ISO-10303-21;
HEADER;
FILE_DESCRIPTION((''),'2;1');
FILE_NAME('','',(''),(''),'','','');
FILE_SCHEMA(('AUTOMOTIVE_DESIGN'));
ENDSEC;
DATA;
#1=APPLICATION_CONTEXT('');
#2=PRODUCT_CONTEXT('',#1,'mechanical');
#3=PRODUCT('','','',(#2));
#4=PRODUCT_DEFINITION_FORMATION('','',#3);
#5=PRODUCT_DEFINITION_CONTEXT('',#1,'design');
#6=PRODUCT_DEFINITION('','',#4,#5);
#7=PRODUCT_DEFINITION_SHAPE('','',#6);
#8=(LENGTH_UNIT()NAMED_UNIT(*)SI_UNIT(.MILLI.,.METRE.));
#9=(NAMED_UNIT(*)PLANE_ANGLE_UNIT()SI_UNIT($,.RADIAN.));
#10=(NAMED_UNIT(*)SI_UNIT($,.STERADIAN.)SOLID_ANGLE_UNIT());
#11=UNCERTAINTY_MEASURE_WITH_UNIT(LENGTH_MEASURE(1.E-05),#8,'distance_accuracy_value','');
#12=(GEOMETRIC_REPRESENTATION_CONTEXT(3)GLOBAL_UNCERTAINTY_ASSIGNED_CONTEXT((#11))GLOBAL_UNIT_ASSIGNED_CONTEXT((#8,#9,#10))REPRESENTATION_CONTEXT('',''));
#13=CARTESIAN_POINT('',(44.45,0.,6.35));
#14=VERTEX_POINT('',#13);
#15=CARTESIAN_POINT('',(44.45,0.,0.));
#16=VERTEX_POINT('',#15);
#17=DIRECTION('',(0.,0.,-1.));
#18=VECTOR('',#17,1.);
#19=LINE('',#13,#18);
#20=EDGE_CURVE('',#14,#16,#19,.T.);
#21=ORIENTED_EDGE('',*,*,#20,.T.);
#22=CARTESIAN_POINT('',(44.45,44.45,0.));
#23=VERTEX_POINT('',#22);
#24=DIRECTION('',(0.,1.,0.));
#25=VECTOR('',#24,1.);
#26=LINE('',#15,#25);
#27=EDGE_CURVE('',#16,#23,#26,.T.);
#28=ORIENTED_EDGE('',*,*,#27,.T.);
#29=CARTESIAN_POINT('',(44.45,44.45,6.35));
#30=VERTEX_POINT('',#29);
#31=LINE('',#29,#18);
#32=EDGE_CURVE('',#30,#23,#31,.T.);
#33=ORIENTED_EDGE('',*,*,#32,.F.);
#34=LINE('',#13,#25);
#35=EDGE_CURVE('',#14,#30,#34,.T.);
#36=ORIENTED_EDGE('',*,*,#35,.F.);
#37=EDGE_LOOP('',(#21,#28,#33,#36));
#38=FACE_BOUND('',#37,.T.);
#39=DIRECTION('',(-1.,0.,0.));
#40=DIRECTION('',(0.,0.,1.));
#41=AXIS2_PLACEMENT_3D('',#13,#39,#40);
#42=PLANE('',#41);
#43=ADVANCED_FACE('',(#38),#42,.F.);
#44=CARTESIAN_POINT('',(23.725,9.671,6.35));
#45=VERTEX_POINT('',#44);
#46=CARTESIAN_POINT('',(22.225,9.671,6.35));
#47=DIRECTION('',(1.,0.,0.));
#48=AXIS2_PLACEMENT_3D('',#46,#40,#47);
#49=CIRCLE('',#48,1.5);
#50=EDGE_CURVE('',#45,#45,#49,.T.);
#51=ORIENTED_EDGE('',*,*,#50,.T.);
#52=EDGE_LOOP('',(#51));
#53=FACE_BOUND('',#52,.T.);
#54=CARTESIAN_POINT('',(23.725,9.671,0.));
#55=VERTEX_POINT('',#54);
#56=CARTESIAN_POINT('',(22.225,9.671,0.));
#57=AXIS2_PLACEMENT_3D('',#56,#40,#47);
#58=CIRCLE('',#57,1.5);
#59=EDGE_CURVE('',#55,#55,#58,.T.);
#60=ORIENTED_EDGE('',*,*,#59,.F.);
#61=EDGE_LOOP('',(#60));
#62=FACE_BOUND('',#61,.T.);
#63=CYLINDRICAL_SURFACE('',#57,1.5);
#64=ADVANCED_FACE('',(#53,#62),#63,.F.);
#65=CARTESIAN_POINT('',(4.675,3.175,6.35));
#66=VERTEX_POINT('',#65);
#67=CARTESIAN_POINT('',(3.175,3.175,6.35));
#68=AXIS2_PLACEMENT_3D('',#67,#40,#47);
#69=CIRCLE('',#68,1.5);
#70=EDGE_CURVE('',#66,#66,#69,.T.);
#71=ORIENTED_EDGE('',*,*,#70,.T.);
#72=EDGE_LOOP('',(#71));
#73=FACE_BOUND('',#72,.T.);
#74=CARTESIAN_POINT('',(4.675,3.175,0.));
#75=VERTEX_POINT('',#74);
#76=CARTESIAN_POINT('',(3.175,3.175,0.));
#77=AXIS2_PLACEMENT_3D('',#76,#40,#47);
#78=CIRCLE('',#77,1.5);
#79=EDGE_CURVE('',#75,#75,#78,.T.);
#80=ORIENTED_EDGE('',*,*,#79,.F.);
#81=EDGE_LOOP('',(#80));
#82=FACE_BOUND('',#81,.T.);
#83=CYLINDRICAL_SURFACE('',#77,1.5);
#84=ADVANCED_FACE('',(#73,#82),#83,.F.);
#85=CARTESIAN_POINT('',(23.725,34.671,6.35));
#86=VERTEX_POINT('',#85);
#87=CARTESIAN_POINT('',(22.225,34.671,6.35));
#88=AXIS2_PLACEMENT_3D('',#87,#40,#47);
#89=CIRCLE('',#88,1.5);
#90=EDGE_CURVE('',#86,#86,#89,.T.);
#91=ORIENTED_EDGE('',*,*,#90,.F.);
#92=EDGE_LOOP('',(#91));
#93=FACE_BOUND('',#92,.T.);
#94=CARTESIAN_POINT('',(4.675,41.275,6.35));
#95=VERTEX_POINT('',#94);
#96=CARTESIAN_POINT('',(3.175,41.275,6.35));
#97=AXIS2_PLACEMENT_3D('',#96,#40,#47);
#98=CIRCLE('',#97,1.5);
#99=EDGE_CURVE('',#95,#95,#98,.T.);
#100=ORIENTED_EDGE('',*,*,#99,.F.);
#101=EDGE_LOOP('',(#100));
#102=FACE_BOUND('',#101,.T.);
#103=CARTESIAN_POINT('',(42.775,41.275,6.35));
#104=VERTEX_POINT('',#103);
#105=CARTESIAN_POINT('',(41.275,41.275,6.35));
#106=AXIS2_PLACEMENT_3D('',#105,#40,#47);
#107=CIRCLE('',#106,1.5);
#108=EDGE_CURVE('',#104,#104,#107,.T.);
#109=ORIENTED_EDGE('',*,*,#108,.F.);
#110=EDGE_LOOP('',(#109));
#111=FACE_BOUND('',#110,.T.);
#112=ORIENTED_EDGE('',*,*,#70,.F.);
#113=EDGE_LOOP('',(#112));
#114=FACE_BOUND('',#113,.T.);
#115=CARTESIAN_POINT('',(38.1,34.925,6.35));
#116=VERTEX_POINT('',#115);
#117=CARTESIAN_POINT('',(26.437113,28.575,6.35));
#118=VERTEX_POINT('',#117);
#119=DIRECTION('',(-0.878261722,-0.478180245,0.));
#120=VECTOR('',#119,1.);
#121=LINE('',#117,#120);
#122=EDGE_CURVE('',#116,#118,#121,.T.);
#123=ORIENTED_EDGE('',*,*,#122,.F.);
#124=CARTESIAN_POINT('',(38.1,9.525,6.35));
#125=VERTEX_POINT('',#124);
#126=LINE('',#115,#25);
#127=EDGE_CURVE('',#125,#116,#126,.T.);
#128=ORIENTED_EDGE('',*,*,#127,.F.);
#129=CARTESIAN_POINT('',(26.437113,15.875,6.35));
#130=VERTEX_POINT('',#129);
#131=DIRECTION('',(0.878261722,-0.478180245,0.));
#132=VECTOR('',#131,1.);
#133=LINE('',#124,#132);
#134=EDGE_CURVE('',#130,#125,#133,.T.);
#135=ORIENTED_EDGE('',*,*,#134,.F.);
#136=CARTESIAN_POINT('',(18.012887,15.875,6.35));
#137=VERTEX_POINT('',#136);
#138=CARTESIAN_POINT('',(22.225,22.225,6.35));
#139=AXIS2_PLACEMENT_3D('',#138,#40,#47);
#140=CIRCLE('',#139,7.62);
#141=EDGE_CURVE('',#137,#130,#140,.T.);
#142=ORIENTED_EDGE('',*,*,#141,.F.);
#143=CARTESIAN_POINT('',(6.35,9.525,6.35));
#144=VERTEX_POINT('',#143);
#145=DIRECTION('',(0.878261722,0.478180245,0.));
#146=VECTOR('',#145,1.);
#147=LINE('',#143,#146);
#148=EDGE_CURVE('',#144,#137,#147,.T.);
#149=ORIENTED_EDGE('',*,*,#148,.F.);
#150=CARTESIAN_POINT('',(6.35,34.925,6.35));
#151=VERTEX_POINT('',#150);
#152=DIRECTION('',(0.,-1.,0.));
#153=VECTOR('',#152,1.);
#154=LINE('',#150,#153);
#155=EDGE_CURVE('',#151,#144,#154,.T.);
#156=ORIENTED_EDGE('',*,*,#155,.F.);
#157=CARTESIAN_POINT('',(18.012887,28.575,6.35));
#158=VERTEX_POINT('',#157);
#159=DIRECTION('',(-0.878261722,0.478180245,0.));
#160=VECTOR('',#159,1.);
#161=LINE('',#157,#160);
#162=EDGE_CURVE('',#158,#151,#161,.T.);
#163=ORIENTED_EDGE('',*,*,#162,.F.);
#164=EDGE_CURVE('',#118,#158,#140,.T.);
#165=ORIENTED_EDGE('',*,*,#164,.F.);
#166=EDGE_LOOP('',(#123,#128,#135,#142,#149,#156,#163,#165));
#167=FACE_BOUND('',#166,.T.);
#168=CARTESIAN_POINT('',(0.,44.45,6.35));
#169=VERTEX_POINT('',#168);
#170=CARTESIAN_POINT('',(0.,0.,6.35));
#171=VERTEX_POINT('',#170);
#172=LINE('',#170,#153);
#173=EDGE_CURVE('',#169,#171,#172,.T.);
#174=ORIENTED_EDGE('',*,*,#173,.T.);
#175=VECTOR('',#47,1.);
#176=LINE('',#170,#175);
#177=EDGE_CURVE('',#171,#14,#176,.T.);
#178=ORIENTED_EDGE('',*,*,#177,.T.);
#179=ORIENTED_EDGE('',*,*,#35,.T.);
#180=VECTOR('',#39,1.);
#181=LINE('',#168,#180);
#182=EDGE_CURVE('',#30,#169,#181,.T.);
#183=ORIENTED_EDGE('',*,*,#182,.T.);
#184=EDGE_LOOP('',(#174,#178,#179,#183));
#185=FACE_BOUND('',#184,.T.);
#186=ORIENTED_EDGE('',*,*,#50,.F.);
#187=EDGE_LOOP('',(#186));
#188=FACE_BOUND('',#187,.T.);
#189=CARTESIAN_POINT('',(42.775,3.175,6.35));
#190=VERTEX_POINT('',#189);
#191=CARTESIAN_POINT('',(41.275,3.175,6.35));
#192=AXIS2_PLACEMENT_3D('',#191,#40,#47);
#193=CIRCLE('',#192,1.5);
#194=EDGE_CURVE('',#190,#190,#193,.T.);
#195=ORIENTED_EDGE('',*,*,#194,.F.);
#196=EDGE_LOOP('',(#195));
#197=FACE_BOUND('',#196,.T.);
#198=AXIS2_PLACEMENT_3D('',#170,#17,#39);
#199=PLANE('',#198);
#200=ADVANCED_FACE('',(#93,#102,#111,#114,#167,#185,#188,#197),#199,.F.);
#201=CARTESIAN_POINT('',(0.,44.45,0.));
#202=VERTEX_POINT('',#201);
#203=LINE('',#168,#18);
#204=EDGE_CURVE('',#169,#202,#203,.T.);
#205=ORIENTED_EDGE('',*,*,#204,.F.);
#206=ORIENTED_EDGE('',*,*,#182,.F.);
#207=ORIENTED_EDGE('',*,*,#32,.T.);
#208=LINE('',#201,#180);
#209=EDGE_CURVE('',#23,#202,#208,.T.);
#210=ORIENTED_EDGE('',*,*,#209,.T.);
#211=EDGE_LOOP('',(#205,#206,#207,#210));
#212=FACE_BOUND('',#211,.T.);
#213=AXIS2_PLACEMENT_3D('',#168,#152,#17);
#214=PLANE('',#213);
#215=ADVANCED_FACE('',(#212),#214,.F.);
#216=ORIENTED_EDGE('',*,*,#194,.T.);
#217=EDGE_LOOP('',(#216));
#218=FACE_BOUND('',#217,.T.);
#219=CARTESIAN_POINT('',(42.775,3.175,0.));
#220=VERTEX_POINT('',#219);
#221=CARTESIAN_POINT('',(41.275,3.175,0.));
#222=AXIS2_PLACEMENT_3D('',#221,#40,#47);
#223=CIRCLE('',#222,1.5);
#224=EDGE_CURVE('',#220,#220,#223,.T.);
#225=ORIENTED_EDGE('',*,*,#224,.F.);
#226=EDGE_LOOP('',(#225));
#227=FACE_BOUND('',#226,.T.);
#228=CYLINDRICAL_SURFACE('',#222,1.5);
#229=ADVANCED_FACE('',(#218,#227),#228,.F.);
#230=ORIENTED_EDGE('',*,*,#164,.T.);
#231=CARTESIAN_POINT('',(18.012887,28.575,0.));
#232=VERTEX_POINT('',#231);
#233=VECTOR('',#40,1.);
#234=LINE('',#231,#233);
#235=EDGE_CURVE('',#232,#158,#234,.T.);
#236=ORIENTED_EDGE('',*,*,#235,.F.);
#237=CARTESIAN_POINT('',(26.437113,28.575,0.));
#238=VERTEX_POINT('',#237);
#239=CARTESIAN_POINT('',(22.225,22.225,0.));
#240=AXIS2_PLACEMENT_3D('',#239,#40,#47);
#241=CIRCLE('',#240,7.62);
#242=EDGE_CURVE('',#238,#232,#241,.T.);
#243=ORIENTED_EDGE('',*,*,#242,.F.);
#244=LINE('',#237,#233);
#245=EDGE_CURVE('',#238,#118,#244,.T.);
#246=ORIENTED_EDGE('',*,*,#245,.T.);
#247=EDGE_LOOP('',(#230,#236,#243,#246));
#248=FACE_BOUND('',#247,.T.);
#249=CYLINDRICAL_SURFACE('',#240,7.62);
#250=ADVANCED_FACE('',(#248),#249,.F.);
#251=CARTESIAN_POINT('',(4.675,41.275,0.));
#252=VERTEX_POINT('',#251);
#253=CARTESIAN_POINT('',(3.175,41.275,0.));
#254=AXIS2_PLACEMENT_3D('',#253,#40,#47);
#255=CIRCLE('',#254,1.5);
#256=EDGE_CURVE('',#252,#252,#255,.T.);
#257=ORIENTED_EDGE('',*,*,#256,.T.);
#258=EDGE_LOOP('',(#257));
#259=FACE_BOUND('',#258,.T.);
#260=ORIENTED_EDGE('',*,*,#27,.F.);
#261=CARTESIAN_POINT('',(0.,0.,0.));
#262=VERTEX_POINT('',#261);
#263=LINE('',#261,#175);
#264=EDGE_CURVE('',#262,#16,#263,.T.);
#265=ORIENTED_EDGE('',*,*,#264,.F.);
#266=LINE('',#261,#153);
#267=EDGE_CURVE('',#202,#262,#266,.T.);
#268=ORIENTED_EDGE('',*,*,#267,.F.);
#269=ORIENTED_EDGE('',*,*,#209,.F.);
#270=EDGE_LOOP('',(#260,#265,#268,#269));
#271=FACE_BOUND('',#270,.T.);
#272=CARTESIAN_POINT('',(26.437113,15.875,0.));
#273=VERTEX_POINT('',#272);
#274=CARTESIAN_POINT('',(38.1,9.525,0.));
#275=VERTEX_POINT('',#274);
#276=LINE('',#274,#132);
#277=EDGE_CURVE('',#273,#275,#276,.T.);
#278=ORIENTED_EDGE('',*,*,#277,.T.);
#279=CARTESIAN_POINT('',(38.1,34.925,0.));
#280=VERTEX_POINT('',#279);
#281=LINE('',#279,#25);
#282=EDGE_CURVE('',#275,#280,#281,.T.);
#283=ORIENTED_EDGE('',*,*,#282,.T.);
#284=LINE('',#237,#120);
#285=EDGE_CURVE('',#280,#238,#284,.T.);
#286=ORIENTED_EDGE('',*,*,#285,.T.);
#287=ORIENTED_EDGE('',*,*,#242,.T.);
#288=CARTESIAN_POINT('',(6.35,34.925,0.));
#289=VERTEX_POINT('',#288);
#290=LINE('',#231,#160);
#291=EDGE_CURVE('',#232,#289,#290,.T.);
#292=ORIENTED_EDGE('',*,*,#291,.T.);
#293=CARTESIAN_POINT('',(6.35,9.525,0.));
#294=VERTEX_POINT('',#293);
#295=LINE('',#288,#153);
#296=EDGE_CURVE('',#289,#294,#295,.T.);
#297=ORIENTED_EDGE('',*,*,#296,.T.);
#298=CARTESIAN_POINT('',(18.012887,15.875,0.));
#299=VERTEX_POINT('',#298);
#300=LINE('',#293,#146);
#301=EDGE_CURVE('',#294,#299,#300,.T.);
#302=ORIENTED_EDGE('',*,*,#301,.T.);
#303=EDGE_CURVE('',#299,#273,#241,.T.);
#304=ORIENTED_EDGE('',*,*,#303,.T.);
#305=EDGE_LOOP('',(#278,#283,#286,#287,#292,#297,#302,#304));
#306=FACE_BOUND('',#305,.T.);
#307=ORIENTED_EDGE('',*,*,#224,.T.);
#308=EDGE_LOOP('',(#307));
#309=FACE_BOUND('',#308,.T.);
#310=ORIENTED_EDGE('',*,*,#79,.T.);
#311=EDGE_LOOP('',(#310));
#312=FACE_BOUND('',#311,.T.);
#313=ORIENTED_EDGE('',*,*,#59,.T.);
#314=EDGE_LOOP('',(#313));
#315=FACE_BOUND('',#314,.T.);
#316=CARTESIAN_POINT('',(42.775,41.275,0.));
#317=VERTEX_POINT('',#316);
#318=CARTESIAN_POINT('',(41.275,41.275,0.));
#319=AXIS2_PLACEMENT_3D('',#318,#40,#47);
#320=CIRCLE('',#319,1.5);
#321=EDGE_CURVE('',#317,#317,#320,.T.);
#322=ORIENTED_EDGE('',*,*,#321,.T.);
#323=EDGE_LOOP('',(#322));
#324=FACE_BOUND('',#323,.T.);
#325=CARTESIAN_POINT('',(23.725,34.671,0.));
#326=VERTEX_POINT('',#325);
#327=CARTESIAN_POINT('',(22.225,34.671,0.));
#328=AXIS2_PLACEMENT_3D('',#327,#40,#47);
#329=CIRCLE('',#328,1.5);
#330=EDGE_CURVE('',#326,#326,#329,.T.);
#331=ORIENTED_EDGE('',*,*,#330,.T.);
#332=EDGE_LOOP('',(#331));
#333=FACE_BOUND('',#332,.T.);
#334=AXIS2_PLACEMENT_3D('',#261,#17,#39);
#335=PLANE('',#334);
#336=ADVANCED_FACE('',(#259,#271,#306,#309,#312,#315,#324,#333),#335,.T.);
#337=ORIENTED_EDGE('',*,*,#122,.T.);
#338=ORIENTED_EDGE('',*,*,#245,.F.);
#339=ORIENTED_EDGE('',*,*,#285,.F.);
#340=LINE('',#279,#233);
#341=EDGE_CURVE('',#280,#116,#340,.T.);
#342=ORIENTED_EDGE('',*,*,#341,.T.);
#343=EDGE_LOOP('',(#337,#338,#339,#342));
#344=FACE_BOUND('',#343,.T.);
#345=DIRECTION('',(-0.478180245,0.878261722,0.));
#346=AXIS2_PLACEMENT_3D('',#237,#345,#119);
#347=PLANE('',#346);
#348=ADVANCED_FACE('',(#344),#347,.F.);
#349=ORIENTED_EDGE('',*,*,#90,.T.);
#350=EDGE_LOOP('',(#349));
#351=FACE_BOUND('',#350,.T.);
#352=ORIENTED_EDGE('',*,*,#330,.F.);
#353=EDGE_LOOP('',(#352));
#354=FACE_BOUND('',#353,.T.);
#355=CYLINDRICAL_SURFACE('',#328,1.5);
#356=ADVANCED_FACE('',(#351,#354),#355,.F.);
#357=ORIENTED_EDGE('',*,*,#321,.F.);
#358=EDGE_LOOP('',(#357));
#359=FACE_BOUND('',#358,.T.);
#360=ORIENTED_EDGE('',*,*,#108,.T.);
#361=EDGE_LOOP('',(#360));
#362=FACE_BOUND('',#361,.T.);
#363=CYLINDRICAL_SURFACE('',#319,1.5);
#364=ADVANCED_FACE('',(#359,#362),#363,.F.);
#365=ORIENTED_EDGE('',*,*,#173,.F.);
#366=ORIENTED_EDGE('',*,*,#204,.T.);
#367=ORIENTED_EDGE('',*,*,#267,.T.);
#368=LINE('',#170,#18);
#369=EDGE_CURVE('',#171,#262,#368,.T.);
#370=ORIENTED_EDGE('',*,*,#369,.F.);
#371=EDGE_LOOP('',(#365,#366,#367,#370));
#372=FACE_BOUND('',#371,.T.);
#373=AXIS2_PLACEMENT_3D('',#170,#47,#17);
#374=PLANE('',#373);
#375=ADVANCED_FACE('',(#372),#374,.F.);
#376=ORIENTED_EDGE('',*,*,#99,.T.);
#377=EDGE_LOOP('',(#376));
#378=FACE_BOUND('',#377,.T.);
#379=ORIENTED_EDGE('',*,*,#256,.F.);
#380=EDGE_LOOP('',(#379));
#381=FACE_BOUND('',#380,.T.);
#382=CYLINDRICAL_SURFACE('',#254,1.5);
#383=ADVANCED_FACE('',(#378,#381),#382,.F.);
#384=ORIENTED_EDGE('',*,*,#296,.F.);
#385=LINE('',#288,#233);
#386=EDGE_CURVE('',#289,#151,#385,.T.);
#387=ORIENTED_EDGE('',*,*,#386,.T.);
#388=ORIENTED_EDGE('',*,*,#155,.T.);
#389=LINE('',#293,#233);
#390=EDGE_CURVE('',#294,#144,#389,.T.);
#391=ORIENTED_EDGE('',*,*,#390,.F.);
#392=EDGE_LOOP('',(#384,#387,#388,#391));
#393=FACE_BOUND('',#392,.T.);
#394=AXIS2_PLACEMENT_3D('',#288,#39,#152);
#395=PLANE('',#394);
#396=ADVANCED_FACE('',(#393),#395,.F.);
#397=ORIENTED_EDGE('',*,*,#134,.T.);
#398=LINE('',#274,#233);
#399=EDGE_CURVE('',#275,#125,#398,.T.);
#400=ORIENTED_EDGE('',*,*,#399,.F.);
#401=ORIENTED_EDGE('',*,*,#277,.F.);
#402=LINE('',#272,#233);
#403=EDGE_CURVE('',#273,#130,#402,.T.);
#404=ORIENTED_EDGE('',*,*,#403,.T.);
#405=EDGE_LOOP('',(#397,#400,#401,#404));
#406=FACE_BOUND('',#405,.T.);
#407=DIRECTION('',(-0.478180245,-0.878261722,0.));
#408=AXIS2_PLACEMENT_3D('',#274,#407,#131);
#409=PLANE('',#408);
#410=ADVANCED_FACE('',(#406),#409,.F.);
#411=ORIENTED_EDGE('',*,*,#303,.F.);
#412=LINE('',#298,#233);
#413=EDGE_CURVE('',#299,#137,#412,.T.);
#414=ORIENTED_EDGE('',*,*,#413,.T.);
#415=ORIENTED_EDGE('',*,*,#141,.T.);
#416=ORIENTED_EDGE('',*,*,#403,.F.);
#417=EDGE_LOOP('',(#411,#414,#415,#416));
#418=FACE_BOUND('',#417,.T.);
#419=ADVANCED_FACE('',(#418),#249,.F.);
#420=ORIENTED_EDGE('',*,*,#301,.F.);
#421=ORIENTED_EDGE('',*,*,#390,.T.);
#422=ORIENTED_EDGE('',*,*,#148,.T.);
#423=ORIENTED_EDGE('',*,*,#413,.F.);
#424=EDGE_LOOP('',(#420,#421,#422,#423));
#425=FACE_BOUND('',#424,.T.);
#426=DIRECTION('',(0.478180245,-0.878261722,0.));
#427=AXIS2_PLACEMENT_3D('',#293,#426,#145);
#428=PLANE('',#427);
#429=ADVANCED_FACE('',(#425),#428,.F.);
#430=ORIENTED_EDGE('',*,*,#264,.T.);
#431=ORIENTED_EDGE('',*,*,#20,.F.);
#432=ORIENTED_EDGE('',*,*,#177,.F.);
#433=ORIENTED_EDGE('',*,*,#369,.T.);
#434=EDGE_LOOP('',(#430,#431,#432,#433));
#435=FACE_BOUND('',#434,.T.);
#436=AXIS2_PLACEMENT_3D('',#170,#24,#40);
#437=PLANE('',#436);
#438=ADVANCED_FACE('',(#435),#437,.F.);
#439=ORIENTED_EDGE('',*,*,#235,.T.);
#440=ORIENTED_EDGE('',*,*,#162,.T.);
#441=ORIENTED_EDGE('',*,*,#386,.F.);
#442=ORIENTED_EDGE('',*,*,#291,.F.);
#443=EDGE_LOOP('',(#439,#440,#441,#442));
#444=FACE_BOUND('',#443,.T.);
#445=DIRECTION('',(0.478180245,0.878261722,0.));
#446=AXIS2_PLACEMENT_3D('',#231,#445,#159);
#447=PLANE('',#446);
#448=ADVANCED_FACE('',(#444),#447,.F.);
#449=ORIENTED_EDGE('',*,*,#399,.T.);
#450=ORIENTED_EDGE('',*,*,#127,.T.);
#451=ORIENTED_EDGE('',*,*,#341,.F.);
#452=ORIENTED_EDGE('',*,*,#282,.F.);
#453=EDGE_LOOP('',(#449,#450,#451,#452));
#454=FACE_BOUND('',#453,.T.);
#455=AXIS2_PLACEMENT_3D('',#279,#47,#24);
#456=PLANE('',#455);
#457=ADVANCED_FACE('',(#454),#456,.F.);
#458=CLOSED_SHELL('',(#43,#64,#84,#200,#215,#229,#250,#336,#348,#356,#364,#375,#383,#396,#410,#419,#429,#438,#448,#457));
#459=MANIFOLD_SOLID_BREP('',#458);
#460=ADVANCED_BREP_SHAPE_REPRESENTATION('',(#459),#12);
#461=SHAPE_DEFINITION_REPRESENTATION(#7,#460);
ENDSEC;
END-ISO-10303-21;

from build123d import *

# Parameters (mm, degrees)
SKETCH1_W           = 44.45
SKETCH1_H           = 44.45
BOSS_EXTRUDE1_DEPTH = 6.35
SKETCH2_R           = 1.5
CUT_EXTRUDE2_DEPTH  = 6.35
SKETCH3_R           = 7.62
CUT_EXTRUDE3_DEPTH  = 6.35
SKETCH4_R           = 1.5
CUT_EXTRUDE4_DEPTH  = 6.35
CUT_EXTRUDE5_DEPTH  = 6.35


with BuildPart() as part:
    # Sketch1 → Boss-Extrude1 (new body)
    with BuildSketch(Plane.XY):
        with Locations((22.225, 22.225)):
            Rectangle(SKETCH1_W, SKETCH1_H)
    extrude(amount=BOSS_EXTRUDE1_DEPTH)

    # Sketch2 → Cut-Extrude2 (cut)
    with BuildSketch(Plane.XY.offset(6.35)):
        with Locations((22.225, 34.671)):
            Circle(SKETCH2_R)
        with Locations((22.225, 9.671)):
            Circle(SKETCH2_R)
    extrude(amount=-CUT_EXTRUDE2_DEPTH, mode=Mode.SUBTRACT)

    # Sketch3 → Cut-Extrude3 (cut)
    with BuildSketch(Plane.XY.offset(6.35)):
        with Locations((22.225, 22.225)):
            Circle(SKETCH3_R)
    extrude(amount=-CUT_EXTRUDE3_DEPTH, mode=Mode.SUBTRACT)

    # Sketch4 → Cut-Extrude4 (cut)
    with BuildSketch(Plane.XY.offset(6.35)):
        with Locations((3.175, 41.275)):
            Circle(SKETCH4_R)
        with Locations((41.275, 41.275)):
            Circle(SKETCH4_R)
        with Locations((41.275, 3.175)):
            Circle(SKETCH4_R)
        with Locations((3.175, 3.175)):
            Circle(SKETCH4_R)
    extrude(amount=-CUT_EXTRUDE4_DEPTH, mode=Mode.SUBTRACT)

    # Sketch7 → Cut-Extrude5 (cut)
    with BuildSketch(Plane.XY.offset(6.35)):
        with BuildLine():
            Line((38.1, 34.925), (38.1, 9.525))
            Line((38.1, 9.525), (26.437113484, 15.875))
            ThreePointArc((26.437113484, 15.875), (29.845, 22.225), (26.437113484, 28.575))
            Line((26.437113484, 28.575), (38.1, 34.925))
        make_face()
        with BuildLine():
            Line((6.35, 9.525), (18.012886516, 15.875))
            ThreePointArc((18.012886516, 15.875), (14.605, 22.225), (18.012886516, 28.575))
            Line((18.012886516, 28.575), (6.35, 34.925))
            Line((6.35, 34.925), (6.35, 9.525))
        make_face()
    extrude(amount=-CUT_EXTRUDE5_DEPTH, mode=Mode.SUBTRACT)


solid = part.part
